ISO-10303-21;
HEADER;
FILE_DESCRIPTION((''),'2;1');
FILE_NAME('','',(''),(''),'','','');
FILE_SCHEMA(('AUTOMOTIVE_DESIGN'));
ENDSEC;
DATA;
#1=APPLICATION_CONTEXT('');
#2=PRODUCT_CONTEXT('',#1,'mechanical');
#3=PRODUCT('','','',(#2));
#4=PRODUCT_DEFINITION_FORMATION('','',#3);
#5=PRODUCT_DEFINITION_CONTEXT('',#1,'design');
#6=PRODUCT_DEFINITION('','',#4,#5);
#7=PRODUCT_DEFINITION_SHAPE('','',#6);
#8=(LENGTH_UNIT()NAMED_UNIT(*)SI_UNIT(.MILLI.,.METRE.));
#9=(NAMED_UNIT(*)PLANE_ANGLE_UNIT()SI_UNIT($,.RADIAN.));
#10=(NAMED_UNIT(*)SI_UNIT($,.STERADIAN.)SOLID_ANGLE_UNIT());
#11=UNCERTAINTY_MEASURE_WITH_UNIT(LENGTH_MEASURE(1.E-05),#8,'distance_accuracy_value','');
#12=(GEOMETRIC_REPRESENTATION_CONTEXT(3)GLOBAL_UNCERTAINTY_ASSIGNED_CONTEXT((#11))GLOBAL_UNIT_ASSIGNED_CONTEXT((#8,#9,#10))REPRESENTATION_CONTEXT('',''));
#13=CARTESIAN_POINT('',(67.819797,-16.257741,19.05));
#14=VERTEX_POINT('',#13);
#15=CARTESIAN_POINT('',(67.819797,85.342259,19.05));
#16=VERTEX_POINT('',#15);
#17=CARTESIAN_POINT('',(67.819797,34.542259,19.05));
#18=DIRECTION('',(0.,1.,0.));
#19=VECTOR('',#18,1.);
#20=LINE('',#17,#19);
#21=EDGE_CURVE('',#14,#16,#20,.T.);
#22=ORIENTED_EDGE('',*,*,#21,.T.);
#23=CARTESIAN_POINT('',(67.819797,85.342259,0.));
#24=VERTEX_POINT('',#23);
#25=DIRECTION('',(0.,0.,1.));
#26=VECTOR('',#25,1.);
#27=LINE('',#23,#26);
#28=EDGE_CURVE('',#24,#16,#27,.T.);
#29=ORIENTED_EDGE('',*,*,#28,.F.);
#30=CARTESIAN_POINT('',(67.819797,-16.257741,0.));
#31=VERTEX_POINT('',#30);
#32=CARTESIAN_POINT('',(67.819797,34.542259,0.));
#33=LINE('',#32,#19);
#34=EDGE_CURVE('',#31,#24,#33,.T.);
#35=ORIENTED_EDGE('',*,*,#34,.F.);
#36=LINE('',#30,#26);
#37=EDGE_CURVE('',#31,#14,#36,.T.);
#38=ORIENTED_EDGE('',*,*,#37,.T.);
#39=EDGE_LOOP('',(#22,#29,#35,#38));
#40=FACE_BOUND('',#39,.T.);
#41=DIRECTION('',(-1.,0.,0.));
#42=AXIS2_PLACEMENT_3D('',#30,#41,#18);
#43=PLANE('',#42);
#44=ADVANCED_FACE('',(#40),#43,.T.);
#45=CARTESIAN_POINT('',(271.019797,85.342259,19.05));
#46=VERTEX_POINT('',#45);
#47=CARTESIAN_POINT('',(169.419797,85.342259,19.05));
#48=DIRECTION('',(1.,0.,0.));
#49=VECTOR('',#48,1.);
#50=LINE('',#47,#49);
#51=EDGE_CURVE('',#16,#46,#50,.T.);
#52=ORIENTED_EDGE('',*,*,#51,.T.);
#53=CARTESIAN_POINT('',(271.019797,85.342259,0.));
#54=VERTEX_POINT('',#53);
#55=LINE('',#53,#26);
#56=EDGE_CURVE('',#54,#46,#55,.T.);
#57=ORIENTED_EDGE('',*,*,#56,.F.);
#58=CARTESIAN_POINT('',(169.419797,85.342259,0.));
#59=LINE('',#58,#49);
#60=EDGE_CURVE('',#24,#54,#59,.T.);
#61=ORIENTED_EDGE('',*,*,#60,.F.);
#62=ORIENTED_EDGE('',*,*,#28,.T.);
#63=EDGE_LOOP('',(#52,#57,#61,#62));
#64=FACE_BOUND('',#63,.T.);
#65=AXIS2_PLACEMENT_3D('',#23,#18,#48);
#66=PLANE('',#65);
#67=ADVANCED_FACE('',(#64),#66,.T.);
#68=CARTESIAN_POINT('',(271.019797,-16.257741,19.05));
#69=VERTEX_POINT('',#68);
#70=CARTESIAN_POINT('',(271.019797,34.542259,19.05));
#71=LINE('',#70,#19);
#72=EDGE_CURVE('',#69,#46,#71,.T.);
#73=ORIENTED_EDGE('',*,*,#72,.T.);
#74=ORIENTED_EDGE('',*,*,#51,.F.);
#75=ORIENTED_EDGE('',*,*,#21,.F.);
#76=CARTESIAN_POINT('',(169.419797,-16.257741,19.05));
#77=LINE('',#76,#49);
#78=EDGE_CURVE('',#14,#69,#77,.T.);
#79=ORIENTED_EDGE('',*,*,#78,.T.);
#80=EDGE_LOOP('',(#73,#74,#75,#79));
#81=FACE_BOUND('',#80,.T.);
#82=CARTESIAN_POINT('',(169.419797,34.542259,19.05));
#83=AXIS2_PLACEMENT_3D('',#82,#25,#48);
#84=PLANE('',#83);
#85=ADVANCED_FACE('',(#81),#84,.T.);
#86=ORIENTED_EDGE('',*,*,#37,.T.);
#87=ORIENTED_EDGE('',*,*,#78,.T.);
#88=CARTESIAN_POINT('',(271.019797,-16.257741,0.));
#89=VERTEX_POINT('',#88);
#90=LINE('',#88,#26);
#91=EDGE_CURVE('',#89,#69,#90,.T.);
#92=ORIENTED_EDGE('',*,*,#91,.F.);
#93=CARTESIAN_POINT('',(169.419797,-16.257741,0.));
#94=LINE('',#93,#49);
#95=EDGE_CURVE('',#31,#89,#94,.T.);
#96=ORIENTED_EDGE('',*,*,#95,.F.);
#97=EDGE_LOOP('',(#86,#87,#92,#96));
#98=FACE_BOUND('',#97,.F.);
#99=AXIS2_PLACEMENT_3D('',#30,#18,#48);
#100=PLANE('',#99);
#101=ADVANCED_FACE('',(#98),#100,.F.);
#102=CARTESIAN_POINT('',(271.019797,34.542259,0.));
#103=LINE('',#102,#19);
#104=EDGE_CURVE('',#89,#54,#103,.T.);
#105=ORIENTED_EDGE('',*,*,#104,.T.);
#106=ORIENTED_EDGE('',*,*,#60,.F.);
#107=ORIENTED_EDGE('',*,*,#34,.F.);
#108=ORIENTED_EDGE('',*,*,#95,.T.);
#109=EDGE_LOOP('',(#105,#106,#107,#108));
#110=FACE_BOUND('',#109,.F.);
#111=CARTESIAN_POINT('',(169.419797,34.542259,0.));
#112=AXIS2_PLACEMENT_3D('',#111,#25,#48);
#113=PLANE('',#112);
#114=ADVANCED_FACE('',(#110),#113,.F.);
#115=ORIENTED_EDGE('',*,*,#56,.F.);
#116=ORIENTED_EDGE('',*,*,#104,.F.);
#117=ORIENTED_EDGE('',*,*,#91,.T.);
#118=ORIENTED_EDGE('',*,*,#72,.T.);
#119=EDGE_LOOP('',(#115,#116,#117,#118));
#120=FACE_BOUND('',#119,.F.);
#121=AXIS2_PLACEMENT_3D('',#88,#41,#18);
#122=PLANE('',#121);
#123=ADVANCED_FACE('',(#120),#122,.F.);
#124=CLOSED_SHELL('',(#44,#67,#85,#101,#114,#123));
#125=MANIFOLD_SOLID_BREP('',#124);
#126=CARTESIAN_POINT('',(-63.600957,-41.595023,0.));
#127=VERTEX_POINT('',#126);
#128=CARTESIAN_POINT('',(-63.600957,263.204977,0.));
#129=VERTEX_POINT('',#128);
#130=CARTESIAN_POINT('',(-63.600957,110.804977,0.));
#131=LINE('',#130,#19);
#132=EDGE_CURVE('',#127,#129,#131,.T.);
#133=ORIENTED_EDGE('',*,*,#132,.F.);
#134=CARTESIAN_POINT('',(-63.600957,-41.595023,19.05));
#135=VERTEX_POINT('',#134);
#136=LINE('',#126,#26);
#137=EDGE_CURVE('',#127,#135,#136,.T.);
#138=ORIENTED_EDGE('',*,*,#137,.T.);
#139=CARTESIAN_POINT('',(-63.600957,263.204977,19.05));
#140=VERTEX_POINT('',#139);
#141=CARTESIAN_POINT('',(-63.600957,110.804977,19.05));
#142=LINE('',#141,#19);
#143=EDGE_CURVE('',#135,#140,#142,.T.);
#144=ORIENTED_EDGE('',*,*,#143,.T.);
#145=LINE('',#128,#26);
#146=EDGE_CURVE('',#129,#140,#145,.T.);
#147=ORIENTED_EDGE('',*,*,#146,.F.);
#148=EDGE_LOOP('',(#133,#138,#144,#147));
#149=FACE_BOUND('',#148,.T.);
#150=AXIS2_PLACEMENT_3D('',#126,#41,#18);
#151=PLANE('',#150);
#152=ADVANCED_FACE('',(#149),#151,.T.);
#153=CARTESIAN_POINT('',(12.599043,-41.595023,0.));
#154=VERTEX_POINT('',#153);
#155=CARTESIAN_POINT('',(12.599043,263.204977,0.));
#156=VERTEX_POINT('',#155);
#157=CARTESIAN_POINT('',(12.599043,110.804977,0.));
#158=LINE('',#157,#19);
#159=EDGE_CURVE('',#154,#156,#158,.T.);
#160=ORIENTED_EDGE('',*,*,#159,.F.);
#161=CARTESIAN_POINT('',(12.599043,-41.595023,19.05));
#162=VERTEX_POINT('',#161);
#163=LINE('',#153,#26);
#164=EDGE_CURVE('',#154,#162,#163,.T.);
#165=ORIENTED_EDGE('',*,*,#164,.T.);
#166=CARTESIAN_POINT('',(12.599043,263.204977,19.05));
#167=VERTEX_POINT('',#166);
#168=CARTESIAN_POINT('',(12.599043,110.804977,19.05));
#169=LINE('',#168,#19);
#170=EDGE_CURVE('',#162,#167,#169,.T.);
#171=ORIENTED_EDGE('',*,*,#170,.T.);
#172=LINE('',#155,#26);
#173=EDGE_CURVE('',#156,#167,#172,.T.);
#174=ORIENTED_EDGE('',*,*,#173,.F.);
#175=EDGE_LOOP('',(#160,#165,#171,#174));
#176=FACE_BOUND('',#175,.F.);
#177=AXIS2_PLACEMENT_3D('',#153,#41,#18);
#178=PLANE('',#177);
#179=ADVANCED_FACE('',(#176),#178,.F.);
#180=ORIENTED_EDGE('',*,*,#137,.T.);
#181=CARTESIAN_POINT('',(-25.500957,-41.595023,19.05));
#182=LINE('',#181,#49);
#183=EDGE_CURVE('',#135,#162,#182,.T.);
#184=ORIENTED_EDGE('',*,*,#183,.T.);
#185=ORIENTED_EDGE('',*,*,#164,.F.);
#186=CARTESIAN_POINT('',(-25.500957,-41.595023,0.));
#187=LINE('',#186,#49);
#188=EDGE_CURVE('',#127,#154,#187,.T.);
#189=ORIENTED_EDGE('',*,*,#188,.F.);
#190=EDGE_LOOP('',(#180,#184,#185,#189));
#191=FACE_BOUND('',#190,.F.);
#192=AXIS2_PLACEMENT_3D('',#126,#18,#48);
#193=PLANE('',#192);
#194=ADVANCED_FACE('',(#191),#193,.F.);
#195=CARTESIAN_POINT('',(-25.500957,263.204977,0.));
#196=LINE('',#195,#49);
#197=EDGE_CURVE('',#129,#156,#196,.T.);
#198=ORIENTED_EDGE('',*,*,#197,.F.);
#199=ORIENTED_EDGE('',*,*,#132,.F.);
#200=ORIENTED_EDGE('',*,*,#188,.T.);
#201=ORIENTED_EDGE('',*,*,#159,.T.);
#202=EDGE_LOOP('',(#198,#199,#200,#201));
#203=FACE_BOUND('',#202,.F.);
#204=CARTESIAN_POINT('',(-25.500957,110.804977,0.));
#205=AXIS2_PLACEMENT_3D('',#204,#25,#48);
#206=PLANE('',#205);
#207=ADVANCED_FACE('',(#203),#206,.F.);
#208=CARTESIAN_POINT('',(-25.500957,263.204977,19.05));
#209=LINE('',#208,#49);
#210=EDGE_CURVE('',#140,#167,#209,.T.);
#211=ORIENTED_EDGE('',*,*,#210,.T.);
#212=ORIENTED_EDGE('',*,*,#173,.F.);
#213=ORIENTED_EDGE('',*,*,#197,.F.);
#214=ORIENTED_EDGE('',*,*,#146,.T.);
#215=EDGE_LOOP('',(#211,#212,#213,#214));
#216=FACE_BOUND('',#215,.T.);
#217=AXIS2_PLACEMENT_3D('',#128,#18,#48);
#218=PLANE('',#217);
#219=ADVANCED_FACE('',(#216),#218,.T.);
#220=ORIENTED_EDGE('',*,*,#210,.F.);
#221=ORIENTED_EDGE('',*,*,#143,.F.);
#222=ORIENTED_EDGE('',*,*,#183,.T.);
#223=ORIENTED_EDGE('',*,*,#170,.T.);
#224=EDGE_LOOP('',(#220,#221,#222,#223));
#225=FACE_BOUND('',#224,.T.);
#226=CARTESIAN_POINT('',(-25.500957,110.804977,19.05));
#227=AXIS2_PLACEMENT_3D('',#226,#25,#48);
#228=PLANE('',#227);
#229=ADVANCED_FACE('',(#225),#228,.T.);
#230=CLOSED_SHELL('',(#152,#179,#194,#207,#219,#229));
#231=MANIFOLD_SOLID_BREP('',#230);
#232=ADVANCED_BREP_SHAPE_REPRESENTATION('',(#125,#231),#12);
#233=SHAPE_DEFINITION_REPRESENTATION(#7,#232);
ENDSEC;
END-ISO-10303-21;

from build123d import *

# Parameters (mm, degrees)
F0_W     = 76.2
F0_H     = 304.8
F0_W_2   = 203.2
F0_H_2   = 101.6
F1_DEPTH = 19.05


with BuildPart() as f1:
    # F0 (on Top) → F1 (new body)
    with BuildSketch(Plane.XY):
        with Locations((-25.500957, 110.804977)):
            Rectangle(F0_W, F0_H)
        with Locations((169.419797, 34.542259)):
            Rectangle(F0_W_2, F0_H_2)
    extrude(amount=F1_DEPTH)


solid = f1.part
